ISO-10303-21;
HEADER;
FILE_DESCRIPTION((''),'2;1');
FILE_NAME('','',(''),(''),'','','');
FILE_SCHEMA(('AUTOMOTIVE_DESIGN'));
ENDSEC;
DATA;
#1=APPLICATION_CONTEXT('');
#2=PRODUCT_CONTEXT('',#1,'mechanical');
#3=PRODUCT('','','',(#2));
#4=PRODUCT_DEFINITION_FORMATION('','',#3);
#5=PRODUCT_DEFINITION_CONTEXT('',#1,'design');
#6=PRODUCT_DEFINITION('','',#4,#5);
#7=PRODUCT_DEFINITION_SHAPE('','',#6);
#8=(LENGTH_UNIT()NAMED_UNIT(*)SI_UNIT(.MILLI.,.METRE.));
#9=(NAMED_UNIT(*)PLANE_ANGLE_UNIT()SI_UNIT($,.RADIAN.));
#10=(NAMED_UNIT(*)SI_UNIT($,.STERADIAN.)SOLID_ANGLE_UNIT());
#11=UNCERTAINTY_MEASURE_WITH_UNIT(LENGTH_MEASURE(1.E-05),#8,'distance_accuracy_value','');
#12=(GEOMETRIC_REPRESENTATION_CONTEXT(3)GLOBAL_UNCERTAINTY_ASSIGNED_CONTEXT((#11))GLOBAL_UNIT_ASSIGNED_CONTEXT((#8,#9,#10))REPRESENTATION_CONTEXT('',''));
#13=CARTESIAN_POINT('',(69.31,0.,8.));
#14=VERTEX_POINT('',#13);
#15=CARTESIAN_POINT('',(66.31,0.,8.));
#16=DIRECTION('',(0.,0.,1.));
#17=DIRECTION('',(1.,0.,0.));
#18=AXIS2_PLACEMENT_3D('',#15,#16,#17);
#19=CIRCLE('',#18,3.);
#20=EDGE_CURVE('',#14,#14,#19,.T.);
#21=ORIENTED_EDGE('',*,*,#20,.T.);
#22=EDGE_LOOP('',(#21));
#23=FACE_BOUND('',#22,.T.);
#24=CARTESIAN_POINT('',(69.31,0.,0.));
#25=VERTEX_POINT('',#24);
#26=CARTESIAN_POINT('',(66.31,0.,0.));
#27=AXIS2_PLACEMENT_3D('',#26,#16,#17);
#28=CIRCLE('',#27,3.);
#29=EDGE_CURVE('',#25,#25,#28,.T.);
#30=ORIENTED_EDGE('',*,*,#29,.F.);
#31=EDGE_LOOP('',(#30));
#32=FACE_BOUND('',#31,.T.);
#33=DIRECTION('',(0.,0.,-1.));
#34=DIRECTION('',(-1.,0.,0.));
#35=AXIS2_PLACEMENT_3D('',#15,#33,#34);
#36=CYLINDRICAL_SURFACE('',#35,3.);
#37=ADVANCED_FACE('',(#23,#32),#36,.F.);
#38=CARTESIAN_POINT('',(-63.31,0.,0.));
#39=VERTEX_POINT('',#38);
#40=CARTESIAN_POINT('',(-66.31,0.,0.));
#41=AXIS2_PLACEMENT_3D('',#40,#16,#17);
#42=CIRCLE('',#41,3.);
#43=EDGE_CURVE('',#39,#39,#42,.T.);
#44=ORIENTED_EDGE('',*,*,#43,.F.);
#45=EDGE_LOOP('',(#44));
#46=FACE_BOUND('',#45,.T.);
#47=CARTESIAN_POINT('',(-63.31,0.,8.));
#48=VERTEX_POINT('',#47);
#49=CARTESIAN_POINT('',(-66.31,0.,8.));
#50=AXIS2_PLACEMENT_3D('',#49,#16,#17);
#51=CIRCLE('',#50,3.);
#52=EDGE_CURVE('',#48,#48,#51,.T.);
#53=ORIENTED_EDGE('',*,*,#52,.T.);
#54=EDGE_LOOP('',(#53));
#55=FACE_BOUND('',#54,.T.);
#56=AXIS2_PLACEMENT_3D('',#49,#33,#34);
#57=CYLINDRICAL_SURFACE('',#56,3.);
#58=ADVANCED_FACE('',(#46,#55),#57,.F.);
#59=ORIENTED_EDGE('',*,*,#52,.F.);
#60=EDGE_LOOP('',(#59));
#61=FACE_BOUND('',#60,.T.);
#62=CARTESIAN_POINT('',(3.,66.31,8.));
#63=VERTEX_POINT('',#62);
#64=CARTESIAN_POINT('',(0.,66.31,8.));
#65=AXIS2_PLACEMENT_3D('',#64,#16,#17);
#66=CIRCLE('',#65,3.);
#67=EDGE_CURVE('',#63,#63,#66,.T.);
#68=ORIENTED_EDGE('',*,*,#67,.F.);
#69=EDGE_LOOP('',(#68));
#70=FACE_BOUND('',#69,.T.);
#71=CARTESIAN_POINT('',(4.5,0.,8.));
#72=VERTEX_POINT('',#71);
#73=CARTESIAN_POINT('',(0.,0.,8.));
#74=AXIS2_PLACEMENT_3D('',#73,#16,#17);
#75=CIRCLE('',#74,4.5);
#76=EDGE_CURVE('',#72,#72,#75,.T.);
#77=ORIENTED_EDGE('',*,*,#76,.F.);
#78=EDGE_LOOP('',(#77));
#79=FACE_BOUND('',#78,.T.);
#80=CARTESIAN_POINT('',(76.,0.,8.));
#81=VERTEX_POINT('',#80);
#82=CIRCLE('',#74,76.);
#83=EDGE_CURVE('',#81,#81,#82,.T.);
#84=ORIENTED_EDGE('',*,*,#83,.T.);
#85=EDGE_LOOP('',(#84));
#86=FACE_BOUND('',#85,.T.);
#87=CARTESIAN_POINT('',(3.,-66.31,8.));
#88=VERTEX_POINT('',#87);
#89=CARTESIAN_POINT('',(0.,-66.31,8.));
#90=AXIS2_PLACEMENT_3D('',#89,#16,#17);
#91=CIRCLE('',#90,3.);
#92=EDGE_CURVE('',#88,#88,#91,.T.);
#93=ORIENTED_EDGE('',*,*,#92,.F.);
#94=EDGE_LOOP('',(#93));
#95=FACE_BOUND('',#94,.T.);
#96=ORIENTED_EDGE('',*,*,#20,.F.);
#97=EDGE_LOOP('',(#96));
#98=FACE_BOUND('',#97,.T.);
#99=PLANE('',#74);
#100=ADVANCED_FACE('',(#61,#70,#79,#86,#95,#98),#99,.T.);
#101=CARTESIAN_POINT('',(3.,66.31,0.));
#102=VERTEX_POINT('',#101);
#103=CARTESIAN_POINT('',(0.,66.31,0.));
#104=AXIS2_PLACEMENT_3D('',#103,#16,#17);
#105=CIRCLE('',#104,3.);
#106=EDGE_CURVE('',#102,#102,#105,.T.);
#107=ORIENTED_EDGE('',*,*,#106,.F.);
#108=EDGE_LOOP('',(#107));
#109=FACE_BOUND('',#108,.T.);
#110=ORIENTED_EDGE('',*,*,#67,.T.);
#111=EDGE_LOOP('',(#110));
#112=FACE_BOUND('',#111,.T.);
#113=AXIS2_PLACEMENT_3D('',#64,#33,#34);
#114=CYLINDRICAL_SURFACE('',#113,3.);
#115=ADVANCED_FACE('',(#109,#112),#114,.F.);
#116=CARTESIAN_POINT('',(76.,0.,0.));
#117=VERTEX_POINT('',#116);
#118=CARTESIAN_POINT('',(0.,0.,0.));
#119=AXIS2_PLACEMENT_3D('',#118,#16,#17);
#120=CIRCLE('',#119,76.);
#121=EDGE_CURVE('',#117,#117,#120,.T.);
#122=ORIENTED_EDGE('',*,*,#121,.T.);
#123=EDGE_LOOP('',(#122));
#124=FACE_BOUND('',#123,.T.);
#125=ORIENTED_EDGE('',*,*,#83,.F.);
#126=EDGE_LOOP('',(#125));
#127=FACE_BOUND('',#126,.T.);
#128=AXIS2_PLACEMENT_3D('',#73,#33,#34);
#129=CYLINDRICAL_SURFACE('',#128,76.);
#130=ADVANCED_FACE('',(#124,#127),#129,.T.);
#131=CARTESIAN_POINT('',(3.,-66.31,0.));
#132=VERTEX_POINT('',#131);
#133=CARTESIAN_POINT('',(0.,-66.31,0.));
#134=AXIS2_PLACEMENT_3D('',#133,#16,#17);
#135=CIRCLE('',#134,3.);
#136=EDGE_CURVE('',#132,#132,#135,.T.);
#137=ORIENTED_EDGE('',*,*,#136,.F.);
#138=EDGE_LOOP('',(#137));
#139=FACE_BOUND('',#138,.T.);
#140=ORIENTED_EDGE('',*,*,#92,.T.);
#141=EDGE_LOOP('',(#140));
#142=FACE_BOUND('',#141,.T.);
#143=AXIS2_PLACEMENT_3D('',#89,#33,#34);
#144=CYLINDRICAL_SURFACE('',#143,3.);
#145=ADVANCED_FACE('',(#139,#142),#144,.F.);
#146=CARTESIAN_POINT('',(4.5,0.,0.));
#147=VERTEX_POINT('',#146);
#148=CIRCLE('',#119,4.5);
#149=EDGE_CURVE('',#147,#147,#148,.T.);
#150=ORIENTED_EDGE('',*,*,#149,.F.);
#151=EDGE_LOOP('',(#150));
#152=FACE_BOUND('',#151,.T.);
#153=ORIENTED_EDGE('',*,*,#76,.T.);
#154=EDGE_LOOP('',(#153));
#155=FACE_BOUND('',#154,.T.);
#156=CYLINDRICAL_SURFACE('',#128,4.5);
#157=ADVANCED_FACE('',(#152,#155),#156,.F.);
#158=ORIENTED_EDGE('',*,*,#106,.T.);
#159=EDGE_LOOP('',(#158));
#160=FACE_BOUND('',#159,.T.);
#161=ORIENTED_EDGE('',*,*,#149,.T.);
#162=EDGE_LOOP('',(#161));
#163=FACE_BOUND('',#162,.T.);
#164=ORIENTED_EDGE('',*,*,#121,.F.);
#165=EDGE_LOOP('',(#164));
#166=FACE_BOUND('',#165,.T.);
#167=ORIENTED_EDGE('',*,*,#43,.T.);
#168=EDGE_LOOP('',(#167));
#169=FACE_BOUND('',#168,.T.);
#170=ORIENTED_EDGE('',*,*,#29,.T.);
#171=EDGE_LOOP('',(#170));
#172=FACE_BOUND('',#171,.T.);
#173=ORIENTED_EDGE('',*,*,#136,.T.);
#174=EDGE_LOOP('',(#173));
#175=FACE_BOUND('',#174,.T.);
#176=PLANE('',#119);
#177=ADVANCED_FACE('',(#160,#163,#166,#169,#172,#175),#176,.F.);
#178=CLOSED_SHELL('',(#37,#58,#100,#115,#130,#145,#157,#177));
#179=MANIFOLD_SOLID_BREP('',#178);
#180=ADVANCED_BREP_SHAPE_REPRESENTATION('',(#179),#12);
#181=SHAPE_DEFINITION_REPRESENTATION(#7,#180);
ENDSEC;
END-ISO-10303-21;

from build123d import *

# Parameters (mm, degrees)
SKETCH2_R           = 76
SKETCH2_R_2         = 3
SKETCH2_R_3         = 4.5
BOSS_EXTRUDE1_DEPTH = 8


with BuildPart() as part:
    # Sketch2 → Boss-Extrude1 (new body)
    with BuildSketch(Plane.XY):
        Circle(SKETCH2_R)
        with Locations((0, 66.31)):
            Circle(SKETCH2_R_2, mode=Mode.SUBTRACT)
        with Locations((0, -66.31)):
            Circle(SKETCH2_R_2, mode=Mode.SUBTRACT)
        with Locations((66.31, 0)):
            Circle(SKETCH2_R_2, mode=Mode.SUBTRACT)
        with Locations((-66.31, 0)):
            Circle(SKETCH2_R_2, mode=Mode.SUBTRACT)
        Circle(SKETCH2_R_3, mode=Mode.SUBTRACT)
    extrude(amount=BOSS_EXTRUDE1_DEPTH)


solid = part.part
